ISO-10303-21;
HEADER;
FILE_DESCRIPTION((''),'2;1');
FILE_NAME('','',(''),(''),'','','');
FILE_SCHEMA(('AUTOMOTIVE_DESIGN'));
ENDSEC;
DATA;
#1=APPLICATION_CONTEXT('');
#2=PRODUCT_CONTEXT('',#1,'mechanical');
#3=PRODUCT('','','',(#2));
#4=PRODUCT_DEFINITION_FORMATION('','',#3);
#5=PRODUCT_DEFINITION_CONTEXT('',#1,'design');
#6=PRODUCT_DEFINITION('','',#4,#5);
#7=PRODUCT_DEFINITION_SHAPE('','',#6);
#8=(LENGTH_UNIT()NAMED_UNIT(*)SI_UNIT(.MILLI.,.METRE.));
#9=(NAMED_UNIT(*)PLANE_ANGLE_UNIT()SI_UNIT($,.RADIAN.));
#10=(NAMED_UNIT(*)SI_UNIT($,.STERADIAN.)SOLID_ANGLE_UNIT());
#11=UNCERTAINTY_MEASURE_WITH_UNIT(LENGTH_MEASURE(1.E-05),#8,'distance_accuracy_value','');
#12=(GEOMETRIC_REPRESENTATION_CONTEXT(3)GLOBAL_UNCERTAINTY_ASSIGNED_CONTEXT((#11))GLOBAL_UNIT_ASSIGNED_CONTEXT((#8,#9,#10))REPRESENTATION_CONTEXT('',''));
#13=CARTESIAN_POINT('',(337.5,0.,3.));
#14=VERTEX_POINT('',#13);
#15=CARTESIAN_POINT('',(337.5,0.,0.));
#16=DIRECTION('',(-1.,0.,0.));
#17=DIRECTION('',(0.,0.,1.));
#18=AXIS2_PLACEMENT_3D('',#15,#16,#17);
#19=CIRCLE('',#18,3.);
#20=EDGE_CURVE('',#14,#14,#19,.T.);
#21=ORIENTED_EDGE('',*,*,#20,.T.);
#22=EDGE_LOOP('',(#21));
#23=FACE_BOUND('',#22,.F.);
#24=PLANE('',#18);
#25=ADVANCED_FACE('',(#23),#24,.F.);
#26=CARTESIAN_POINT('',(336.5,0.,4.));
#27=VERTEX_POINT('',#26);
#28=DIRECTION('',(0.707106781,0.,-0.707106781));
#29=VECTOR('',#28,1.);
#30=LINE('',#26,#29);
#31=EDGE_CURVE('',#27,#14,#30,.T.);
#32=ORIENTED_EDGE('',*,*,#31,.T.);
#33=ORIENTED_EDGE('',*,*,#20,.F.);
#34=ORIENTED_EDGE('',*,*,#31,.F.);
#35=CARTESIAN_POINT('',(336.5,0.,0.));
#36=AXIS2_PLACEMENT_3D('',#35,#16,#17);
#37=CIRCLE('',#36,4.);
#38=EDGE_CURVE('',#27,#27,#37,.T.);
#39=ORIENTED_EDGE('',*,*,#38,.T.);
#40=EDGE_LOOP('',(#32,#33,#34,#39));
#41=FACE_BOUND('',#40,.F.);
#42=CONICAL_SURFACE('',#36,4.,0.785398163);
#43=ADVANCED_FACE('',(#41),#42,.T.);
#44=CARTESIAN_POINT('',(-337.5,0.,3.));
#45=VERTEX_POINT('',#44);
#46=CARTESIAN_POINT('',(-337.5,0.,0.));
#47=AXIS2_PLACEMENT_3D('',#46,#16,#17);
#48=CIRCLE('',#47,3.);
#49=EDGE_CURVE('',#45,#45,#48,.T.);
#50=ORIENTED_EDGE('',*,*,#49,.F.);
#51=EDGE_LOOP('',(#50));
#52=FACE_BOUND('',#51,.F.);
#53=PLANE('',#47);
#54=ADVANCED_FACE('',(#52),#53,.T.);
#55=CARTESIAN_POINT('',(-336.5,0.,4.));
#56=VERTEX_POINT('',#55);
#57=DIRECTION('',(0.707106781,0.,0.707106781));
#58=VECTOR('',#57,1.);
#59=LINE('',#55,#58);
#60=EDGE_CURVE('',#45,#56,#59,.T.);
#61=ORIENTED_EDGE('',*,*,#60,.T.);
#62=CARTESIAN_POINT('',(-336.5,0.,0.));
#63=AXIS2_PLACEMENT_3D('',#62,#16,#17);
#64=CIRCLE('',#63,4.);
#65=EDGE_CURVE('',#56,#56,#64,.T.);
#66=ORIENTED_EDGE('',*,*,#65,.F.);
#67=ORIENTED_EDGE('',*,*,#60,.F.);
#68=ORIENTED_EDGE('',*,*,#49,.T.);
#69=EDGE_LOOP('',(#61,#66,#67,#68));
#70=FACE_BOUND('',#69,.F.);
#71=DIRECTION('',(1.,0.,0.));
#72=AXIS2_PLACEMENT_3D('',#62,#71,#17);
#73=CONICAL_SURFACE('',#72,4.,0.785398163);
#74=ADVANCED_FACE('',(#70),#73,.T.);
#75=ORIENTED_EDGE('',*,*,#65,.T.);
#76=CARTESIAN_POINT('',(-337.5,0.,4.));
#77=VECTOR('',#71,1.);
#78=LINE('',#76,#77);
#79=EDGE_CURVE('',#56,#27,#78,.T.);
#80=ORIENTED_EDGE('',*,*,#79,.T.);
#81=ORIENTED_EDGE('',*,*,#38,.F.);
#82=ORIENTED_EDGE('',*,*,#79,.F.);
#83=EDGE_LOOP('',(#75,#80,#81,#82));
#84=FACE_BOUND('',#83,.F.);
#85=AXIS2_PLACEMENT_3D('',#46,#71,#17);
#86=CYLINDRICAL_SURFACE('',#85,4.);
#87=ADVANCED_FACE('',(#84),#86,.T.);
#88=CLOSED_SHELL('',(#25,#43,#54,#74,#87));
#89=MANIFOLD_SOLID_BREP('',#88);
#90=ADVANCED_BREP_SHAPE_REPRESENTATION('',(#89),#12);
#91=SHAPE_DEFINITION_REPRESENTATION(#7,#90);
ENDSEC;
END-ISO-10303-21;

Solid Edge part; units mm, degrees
sketch "Sketch1" plane through (0, 0, 0) normal (0, -1, 0) x (1, 0, 0)
  line L0 (-337.5, 0) -> (-337.5, 4)
  line L1 (-337.5, 4) -> (337.5, 4)
  line L2 (337.5, 4) -> (337.5, 0)
  dimension "D1" = 675
revolve "RevolvedProtrusion1" add sketch "Sketch1" angle 360 about axis through (50, 0, 0) along (-1, 0, 0)
chamfer "Chamfer1" distance 1 angle 45 2 edges at (337.5, 0, -4) (-337.5, 0, -4)
cosmetic_thread "Thread1" size "Tr 8 x 2"
properties material "Stainless steel"
